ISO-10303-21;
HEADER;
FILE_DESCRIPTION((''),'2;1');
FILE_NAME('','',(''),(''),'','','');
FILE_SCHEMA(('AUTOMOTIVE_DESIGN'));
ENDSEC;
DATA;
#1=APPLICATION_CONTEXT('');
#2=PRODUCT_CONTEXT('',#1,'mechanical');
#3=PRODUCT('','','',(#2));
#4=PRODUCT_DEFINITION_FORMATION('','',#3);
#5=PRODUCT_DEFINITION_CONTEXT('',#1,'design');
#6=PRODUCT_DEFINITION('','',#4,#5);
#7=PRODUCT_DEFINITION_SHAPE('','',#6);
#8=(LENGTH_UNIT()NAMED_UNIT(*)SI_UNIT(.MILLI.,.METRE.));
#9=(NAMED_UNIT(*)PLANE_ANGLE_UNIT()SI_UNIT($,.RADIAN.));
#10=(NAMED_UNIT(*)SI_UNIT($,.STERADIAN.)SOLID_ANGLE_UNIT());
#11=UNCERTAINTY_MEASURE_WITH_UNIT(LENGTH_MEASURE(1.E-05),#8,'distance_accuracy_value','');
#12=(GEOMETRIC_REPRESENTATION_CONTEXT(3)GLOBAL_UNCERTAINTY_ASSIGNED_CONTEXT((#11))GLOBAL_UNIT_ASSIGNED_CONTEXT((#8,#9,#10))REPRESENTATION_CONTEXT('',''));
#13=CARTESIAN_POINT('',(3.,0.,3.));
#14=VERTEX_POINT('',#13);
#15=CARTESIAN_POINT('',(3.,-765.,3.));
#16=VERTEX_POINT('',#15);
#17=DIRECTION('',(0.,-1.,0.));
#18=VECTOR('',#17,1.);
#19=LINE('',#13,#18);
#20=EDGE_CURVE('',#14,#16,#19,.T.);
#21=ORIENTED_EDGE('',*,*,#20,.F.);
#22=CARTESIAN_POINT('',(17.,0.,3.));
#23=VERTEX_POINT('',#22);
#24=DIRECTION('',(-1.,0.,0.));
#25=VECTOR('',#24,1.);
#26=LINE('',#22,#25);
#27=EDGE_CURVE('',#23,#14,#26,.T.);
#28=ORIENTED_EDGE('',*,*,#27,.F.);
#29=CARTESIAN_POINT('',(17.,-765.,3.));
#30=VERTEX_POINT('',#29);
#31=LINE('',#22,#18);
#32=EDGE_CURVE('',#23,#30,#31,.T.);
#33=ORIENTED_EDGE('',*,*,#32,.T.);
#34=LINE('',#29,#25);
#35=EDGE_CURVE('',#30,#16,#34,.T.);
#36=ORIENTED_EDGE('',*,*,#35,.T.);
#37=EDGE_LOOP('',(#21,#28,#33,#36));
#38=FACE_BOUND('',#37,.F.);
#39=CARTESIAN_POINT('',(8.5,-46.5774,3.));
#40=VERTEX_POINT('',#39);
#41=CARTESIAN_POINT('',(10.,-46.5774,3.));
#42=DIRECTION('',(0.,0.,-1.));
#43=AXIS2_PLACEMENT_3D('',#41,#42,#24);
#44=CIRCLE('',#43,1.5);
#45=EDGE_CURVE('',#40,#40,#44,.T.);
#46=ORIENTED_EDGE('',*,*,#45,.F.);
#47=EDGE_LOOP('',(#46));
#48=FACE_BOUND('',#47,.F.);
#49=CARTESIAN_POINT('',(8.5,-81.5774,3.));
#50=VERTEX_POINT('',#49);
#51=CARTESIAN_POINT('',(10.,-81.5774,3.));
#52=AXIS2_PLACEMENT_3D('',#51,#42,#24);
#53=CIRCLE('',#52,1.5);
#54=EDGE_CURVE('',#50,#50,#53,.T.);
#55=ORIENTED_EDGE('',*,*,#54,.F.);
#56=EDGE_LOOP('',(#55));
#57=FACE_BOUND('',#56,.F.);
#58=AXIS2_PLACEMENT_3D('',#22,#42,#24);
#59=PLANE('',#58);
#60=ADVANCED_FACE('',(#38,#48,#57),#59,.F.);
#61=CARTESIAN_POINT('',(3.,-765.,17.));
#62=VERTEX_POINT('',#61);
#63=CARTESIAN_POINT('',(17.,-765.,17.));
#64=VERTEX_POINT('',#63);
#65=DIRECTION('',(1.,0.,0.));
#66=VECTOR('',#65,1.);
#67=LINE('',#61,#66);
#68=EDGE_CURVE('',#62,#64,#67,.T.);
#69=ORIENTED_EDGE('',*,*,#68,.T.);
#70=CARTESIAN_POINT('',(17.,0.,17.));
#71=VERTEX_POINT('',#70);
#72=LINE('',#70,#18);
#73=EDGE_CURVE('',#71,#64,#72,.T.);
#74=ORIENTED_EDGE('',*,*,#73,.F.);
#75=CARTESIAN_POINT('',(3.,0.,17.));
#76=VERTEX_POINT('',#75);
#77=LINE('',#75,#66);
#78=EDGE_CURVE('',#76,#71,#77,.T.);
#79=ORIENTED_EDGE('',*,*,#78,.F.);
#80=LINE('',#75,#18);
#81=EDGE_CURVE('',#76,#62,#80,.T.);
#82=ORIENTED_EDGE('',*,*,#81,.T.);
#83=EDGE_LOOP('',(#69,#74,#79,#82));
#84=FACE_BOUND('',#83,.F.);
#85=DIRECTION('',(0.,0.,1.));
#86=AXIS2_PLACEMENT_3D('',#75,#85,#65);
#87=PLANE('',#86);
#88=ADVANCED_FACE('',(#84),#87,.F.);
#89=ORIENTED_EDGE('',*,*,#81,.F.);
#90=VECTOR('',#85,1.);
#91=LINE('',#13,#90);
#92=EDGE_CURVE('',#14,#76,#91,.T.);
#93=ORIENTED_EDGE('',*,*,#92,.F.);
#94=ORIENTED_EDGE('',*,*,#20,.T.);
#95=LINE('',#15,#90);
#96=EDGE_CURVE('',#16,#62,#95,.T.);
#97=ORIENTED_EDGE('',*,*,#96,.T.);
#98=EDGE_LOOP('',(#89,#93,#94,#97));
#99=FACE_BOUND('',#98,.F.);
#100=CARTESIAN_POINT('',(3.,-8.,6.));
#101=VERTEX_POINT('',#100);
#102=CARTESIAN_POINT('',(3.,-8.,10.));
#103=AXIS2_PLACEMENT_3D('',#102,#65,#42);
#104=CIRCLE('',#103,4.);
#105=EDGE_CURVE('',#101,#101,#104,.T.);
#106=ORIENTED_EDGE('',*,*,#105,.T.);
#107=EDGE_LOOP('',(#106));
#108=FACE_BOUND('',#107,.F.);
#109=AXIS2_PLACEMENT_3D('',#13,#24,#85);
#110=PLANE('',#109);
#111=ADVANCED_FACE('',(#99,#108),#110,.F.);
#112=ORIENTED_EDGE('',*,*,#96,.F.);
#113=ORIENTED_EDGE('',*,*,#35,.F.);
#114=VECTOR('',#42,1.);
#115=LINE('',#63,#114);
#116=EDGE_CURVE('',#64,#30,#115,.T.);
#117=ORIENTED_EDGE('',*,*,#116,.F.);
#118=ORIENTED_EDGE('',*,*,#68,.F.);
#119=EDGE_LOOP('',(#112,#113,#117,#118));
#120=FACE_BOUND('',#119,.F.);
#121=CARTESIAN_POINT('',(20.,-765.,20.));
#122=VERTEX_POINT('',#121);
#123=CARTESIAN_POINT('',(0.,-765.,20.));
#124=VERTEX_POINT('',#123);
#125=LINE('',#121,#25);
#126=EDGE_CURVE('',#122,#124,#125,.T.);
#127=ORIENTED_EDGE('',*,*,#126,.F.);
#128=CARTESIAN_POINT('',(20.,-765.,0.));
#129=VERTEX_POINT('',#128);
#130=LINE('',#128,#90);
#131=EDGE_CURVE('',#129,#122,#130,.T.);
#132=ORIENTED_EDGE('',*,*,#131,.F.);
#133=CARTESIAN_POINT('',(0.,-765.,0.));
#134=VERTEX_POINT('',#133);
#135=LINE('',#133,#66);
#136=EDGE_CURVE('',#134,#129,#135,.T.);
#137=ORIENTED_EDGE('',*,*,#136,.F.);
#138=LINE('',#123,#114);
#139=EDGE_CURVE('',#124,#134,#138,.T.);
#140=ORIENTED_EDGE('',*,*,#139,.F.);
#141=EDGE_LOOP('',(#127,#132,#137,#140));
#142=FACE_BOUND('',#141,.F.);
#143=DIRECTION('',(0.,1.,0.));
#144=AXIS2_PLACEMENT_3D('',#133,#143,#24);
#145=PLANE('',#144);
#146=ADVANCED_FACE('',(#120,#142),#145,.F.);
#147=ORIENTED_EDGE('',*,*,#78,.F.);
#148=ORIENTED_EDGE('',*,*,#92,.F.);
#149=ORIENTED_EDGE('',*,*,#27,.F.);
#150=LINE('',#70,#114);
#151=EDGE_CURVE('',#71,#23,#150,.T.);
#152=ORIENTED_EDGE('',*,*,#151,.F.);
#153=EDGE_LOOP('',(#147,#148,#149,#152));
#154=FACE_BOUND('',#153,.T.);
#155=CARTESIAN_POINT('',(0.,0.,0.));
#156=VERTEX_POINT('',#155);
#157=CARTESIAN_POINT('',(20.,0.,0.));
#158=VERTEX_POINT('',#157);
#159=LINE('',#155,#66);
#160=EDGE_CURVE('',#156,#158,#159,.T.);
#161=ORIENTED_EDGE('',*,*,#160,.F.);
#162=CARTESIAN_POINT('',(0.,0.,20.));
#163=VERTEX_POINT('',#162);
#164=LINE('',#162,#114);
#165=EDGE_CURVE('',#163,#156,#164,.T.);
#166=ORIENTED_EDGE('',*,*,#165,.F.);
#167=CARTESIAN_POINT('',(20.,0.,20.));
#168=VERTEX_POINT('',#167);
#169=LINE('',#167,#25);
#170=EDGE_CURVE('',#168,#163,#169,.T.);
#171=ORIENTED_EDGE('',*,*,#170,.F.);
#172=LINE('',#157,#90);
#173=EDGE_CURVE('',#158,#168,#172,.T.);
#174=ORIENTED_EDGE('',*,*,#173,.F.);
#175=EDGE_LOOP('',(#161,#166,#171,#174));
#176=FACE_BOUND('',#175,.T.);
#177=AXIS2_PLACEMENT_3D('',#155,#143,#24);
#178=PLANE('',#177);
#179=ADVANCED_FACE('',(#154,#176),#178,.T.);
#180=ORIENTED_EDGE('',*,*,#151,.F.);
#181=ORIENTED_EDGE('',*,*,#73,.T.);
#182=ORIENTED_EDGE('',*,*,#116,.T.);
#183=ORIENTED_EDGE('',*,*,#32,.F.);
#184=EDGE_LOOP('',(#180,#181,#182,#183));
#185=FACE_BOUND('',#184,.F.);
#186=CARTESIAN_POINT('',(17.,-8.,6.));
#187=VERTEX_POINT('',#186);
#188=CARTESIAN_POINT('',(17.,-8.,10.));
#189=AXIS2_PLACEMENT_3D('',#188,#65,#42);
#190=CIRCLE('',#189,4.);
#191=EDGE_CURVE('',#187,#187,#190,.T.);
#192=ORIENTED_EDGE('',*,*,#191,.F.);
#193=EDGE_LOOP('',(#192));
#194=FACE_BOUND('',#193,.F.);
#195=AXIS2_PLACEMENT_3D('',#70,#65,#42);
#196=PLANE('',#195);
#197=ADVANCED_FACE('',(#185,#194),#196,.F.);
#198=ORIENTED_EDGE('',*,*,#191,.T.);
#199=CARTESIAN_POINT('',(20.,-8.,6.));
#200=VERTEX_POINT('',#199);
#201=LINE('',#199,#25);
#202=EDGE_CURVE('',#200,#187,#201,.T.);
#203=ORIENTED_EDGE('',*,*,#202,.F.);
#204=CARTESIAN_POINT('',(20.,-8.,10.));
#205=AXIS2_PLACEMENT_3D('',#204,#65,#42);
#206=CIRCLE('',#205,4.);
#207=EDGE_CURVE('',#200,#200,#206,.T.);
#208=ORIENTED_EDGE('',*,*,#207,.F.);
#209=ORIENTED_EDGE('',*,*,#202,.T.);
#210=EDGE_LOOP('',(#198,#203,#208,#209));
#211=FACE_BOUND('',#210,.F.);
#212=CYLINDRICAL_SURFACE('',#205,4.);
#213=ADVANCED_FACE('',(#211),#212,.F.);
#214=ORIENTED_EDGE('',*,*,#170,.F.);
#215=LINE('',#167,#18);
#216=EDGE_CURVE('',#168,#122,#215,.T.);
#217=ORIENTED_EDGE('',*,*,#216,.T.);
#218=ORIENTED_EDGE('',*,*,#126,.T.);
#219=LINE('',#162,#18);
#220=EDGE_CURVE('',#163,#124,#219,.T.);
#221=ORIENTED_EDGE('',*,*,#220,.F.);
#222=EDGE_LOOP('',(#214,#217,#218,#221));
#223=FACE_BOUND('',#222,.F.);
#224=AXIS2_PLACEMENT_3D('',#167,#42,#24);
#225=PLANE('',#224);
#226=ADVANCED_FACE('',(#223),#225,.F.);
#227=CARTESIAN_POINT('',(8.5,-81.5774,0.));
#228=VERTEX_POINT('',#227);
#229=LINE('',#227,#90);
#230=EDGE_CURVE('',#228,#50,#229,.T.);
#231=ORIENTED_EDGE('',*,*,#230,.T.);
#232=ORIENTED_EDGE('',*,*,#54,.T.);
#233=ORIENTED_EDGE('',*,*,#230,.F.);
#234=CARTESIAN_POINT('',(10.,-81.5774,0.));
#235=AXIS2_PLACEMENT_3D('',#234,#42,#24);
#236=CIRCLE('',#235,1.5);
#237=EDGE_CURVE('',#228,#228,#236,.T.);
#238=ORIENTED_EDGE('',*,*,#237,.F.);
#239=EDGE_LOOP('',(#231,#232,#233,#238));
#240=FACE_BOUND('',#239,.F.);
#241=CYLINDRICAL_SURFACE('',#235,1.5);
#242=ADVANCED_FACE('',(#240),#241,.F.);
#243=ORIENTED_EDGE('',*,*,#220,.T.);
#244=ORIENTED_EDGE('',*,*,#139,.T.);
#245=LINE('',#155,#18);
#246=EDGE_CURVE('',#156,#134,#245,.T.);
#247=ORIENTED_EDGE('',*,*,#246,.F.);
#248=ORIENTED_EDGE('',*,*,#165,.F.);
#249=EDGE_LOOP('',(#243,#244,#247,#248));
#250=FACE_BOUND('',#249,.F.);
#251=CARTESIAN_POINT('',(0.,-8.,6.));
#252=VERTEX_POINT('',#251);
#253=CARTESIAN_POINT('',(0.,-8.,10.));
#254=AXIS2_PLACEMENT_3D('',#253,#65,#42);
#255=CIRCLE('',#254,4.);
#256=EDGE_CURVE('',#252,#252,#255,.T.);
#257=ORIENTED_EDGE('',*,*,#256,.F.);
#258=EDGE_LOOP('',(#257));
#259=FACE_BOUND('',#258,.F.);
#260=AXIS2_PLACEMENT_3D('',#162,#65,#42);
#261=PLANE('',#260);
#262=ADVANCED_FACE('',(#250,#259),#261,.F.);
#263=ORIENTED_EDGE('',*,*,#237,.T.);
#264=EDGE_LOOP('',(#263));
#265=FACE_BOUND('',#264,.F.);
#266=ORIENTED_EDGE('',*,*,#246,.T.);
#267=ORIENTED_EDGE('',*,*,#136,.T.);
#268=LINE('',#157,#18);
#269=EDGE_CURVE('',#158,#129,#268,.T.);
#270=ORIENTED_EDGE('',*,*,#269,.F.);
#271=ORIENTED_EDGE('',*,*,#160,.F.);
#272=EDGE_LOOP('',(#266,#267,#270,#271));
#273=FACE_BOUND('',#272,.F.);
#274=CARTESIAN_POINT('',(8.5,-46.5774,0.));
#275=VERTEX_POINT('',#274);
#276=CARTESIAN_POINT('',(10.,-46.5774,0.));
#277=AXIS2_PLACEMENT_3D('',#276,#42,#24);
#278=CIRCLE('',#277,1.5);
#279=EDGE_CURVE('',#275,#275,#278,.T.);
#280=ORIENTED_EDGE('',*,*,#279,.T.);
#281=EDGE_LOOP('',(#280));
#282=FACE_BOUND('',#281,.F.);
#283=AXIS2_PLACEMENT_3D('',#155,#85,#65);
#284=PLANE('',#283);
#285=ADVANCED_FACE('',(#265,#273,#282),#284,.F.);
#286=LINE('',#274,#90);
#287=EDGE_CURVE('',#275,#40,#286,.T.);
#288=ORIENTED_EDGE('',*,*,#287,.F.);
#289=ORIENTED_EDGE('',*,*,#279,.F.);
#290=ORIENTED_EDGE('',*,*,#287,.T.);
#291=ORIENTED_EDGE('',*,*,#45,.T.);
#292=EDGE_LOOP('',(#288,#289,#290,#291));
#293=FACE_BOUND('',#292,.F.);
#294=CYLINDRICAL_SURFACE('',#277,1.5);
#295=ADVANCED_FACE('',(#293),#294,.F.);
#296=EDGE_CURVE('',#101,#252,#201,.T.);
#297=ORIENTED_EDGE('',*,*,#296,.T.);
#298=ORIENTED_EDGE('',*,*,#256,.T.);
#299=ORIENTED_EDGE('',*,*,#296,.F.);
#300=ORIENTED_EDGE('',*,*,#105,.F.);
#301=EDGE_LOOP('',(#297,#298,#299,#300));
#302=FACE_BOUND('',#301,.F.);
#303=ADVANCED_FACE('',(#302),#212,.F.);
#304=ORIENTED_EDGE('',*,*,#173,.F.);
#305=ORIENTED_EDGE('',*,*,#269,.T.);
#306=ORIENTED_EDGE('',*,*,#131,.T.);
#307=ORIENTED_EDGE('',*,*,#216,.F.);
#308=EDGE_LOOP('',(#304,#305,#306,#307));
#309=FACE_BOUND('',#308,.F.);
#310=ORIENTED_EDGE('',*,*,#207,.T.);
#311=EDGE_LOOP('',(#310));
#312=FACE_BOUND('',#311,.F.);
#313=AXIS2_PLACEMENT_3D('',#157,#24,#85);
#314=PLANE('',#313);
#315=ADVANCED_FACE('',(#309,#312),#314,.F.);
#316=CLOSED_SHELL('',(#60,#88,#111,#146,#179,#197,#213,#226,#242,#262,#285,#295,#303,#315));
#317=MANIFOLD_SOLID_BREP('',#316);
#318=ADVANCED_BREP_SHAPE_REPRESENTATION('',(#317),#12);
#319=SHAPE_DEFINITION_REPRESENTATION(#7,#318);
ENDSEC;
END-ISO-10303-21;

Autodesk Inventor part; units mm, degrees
ref_plane "YZ Plane" through (0, 0, 0) normal (1, 0, 0) x (0, 1, 0)
ref_plane "XZ Plane" through (0, 0, 0) normal (0, 1, 0) x (-1, 0, 0)
ref_plane "XY Plane" through (0, 0, 0) normal (0, 0, 1) x (1, 0, 0)
sketch "Sketch1" plane through (0, 0, 0) normal (0, 1, 0) x (-1, 0, 0)
  line L0 (0, 0) -> (-20, 0)
  line L1 (-20, 0) -> (-20, 20)
  line L2 (-20, 20) -> (0, 20)
  line L3 (0, 20) -> (0, 0)
  line L4 (-3, 17) -> (-17, 17)
  line L5 (-17, 17) -> (-17, 3)
  line L6 (-17, 3) -> (-3, 3)
  line L7 (-3, 3) -> (-3, 17)
  dimension "d0" = 20
  dimension "d1" = 20
  dimension "d2" = 3
  dimension "d3" = 3
  dimension "d4" = 3
  dimension "d5" = 3
extrude "Extrusion1" add sketch "Sketch1" against normal blind 765
sketch "Sketch2" plane through (20, 0, 20) normal (1, 0, 0) x (0, 0, -1)
  circle A0 centre (10, -8) radius 4
  line L0 (0, 0) -> (20, 0) projected
  point P0 (10, 0)
  dimension "d8" = 8
  dimension "d9" = 8
extrude "Extrusion2" cut sketch "Sketch2" against normal blind 500
sketch "Sketch3" plane through (20, 0, 0) normal (0, 0, -1) x (-1, 0, 0)
  circle A0 centre (10, -46.5774) radius 1.5 projected
  circle A1 centre (10, -81.5774) radius 1.5 projected
  line L0 (23, -91.5774) -> (-3, -91.5774) projected
  line L1 (23, -91.5774) -> (23, -36.5774) projected
  line L2 (-3, -36.5774) -> (23, -36.5774) projected
  line L3 (-3, -91.5774) -> (-3, -36.5774) projected
  point P0 (20, 0)
extrude "Extrusion3" cut sketch "Sketch3" against normal blind 10 contours A0 | A1
properties part number "arm"
